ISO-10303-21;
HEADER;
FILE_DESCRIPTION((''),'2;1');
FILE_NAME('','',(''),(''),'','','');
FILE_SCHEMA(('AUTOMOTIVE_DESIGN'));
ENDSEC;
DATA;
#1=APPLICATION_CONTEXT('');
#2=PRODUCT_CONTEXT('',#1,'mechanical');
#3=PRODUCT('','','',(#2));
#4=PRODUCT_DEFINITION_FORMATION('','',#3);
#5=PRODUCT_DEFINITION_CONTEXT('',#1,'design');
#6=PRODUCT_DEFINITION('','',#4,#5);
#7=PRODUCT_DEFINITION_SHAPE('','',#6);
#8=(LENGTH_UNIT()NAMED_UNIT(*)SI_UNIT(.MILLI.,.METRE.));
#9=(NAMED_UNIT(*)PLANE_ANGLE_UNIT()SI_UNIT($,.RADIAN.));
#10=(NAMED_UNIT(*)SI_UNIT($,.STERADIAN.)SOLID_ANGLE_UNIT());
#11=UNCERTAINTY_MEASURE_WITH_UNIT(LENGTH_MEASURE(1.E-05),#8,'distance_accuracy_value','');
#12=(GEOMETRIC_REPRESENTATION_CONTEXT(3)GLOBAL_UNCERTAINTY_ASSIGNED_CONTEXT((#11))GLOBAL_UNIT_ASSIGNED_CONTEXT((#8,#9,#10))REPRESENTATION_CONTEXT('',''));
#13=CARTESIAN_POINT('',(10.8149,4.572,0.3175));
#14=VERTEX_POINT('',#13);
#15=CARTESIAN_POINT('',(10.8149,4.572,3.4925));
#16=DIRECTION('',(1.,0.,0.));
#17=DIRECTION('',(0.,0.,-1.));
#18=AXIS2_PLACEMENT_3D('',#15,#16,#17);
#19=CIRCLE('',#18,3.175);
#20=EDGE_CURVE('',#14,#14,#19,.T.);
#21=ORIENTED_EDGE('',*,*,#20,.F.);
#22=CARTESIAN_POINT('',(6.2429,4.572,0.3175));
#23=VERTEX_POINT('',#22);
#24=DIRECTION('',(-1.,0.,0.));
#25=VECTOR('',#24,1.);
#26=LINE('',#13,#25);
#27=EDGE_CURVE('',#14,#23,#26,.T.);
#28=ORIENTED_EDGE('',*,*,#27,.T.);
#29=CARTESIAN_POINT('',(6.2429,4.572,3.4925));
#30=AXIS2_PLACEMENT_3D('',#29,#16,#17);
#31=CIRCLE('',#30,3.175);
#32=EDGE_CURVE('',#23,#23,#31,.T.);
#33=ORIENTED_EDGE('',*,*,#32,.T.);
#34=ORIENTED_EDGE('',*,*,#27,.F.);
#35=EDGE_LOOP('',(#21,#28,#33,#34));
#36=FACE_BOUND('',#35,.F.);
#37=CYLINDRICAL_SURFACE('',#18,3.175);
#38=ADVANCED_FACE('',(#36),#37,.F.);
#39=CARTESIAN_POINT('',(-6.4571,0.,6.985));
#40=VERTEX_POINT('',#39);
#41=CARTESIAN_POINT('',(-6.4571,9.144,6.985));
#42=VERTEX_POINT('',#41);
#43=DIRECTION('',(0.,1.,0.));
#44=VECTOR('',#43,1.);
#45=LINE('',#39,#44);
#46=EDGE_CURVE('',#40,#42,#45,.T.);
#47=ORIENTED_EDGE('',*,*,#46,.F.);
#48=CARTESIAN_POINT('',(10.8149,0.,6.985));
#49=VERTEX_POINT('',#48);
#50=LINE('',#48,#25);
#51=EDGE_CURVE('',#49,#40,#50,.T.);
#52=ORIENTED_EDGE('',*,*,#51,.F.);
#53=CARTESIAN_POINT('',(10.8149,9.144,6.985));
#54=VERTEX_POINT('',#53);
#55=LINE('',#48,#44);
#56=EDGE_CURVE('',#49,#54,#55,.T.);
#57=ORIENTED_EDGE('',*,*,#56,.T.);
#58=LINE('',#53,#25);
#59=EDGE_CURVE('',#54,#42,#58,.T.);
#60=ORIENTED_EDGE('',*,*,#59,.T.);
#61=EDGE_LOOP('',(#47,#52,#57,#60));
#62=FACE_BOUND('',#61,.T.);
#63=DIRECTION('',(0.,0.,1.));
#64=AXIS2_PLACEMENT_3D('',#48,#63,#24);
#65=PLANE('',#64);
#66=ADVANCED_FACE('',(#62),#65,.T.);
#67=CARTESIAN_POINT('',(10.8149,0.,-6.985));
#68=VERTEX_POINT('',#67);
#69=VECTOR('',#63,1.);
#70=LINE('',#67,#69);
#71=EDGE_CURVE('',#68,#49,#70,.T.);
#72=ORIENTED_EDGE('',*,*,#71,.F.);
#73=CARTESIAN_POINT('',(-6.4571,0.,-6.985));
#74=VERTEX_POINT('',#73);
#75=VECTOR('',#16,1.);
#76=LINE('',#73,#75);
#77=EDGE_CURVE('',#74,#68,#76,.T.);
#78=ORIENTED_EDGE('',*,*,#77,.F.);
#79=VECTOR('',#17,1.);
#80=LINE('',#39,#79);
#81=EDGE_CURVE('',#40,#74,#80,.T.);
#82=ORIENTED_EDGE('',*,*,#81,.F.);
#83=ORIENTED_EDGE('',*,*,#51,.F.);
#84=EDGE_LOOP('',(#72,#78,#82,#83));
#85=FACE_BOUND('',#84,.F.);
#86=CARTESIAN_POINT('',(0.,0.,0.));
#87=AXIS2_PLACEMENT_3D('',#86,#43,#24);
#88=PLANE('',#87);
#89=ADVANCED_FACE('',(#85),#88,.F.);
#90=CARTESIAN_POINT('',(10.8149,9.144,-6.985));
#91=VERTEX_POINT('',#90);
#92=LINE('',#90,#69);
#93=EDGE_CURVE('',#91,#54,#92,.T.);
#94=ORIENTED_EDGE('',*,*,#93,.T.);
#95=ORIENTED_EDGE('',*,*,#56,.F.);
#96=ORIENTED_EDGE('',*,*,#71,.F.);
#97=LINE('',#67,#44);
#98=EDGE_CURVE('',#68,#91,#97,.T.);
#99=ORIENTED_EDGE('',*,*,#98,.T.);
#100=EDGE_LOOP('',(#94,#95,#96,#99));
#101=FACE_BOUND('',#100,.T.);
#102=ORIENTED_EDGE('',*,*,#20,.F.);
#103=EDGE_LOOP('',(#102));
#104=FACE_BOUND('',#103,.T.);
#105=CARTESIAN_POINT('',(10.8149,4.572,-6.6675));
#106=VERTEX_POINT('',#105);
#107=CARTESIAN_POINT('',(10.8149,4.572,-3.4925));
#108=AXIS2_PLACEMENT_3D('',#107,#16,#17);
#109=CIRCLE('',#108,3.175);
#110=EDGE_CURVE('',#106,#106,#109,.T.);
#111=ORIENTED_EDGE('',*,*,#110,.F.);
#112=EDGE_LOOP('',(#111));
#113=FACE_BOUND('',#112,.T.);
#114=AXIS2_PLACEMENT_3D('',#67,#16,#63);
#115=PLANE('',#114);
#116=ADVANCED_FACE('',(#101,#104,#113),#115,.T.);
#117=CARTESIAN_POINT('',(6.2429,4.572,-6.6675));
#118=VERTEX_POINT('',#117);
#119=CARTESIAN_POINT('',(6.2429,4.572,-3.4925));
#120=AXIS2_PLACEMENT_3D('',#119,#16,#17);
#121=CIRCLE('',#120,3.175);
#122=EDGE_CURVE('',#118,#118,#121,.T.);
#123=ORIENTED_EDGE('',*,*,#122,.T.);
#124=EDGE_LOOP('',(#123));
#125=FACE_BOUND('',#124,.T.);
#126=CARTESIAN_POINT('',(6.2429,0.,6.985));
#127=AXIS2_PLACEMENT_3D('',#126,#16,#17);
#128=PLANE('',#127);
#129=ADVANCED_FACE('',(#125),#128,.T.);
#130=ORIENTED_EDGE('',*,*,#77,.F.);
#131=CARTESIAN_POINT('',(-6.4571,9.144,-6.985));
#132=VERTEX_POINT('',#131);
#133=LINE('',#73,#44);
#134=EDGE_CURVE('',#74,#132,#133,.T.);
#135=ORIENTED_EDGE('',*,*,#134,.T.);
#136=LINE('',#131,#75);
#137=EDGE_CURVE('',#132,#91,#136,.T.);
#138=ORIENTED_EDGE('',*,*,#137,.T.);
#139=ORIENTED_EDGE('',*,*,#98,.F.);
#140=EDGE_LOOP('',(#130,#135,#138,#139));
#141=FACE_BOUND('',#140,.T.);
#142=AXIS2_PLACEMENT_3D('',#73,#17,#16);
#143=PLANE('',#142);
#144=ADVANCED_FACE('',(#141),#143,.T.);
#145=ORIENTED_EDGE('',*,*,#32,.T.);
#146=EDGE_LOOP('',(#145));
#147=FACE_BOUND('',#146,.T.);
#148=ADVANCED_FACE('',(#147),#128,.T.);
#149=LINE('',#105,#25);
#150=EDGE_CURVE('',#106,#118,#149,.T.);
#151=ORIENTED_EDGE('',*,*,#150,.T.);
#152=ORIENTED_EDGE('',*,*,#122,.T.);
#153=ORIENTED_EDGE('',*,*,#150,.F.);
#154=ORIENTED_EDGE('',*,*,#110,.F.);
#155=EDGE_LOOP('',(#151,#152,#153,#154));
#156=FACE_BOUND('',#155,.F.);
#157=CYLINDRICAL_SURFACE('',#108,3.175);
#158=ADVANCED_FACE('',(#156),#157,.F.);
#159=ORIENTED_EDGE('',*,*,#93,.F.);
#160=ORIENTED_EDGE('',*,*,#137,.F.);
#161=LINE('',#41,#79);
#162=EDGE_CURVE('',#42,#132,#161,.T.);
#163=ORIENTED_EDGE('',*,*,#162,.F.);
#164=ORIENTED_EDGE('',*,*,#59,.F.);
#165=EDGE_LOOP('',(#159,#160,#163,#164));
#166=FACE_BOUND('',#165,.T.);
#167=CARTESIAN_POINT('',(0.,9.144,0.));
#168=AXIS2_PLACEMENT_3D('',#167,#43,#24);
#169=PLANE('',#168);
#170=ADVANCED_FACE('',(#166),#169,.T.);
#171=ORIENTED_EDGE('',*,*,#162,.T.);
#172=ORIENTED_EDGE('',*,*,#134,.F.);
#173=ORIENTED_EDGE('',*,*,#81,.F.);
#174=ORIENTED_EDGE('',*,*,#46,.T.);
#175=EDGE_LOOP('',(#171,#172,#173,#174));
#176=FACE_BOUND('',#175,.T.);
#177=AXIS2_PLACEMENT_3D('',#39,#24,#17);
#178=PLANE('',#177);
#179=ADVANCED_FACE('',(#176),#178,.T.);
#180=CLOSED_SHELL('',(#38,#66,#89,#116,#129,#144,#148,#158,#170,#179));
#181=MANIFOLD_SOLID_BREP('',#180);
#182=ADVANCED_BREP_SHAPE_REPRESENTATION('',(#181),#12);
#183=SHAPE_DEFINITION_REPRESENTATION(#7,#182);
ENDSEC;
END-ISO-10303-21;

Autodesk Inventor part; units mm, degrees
ref_plane "YZ Plane" through (0, 0, 0) normal (1, 0, 0) x (0, 1, 0)
ref_plane "XZ Plane" through (0, 0, 0) normal (0, 1, 0) x (-1, 0, 0)
ref_plane "XY Plane" through (0, 0, 0) normal (0, 0, 1) x (1, 0, 0)
sketch "Sketch1" plane through (0, 0, 0) normal (0, 1, 0) x (-1, 0, 0)
  line L0 (-10.8149, 6.985) -> (6.4571, 6.985)
  line L1 (6.4571, 6.985) -> (6.4571, -6.985)
  line L2 (6.4571, -6.985) -> (-10.8149, -6.985)
  line L3 (-10.8149, -6.985) -> (-10.8149, 6.985)
  point P0 (0, 0)
  dimension "d0" = 13.97
  dimension "d1" = 17.272
  dimension "d2" = 6.985
extrude "Extrusion1" add sketch "Sketch1" along normal blind 9.144
sketch "Sketch3" plane through (10.8149, 0, 6.985) normal (1, 0, 0) x (0, 0, -1)
  line L0 (13.97, 0) -> (13.97, 9.144) projected
  line L1 (0, 0) -> (0, 9.144) projected
  circle A0 centre (3.4925, 4.572) radius 3.175
  circle A1 centre (10.4775, 4.572) radius 3.175
  point P0 (6.985, 0)
  dimension "d6" = 6.35
  dimension "d7" = 6.35
  dimension "d8" = 3.4925
  dimension "d9" = 3.4925
extrude "Extrusion2" cut sketch "Sketch3" against normal blind 4.572
properties part number "TE_2Pin"
